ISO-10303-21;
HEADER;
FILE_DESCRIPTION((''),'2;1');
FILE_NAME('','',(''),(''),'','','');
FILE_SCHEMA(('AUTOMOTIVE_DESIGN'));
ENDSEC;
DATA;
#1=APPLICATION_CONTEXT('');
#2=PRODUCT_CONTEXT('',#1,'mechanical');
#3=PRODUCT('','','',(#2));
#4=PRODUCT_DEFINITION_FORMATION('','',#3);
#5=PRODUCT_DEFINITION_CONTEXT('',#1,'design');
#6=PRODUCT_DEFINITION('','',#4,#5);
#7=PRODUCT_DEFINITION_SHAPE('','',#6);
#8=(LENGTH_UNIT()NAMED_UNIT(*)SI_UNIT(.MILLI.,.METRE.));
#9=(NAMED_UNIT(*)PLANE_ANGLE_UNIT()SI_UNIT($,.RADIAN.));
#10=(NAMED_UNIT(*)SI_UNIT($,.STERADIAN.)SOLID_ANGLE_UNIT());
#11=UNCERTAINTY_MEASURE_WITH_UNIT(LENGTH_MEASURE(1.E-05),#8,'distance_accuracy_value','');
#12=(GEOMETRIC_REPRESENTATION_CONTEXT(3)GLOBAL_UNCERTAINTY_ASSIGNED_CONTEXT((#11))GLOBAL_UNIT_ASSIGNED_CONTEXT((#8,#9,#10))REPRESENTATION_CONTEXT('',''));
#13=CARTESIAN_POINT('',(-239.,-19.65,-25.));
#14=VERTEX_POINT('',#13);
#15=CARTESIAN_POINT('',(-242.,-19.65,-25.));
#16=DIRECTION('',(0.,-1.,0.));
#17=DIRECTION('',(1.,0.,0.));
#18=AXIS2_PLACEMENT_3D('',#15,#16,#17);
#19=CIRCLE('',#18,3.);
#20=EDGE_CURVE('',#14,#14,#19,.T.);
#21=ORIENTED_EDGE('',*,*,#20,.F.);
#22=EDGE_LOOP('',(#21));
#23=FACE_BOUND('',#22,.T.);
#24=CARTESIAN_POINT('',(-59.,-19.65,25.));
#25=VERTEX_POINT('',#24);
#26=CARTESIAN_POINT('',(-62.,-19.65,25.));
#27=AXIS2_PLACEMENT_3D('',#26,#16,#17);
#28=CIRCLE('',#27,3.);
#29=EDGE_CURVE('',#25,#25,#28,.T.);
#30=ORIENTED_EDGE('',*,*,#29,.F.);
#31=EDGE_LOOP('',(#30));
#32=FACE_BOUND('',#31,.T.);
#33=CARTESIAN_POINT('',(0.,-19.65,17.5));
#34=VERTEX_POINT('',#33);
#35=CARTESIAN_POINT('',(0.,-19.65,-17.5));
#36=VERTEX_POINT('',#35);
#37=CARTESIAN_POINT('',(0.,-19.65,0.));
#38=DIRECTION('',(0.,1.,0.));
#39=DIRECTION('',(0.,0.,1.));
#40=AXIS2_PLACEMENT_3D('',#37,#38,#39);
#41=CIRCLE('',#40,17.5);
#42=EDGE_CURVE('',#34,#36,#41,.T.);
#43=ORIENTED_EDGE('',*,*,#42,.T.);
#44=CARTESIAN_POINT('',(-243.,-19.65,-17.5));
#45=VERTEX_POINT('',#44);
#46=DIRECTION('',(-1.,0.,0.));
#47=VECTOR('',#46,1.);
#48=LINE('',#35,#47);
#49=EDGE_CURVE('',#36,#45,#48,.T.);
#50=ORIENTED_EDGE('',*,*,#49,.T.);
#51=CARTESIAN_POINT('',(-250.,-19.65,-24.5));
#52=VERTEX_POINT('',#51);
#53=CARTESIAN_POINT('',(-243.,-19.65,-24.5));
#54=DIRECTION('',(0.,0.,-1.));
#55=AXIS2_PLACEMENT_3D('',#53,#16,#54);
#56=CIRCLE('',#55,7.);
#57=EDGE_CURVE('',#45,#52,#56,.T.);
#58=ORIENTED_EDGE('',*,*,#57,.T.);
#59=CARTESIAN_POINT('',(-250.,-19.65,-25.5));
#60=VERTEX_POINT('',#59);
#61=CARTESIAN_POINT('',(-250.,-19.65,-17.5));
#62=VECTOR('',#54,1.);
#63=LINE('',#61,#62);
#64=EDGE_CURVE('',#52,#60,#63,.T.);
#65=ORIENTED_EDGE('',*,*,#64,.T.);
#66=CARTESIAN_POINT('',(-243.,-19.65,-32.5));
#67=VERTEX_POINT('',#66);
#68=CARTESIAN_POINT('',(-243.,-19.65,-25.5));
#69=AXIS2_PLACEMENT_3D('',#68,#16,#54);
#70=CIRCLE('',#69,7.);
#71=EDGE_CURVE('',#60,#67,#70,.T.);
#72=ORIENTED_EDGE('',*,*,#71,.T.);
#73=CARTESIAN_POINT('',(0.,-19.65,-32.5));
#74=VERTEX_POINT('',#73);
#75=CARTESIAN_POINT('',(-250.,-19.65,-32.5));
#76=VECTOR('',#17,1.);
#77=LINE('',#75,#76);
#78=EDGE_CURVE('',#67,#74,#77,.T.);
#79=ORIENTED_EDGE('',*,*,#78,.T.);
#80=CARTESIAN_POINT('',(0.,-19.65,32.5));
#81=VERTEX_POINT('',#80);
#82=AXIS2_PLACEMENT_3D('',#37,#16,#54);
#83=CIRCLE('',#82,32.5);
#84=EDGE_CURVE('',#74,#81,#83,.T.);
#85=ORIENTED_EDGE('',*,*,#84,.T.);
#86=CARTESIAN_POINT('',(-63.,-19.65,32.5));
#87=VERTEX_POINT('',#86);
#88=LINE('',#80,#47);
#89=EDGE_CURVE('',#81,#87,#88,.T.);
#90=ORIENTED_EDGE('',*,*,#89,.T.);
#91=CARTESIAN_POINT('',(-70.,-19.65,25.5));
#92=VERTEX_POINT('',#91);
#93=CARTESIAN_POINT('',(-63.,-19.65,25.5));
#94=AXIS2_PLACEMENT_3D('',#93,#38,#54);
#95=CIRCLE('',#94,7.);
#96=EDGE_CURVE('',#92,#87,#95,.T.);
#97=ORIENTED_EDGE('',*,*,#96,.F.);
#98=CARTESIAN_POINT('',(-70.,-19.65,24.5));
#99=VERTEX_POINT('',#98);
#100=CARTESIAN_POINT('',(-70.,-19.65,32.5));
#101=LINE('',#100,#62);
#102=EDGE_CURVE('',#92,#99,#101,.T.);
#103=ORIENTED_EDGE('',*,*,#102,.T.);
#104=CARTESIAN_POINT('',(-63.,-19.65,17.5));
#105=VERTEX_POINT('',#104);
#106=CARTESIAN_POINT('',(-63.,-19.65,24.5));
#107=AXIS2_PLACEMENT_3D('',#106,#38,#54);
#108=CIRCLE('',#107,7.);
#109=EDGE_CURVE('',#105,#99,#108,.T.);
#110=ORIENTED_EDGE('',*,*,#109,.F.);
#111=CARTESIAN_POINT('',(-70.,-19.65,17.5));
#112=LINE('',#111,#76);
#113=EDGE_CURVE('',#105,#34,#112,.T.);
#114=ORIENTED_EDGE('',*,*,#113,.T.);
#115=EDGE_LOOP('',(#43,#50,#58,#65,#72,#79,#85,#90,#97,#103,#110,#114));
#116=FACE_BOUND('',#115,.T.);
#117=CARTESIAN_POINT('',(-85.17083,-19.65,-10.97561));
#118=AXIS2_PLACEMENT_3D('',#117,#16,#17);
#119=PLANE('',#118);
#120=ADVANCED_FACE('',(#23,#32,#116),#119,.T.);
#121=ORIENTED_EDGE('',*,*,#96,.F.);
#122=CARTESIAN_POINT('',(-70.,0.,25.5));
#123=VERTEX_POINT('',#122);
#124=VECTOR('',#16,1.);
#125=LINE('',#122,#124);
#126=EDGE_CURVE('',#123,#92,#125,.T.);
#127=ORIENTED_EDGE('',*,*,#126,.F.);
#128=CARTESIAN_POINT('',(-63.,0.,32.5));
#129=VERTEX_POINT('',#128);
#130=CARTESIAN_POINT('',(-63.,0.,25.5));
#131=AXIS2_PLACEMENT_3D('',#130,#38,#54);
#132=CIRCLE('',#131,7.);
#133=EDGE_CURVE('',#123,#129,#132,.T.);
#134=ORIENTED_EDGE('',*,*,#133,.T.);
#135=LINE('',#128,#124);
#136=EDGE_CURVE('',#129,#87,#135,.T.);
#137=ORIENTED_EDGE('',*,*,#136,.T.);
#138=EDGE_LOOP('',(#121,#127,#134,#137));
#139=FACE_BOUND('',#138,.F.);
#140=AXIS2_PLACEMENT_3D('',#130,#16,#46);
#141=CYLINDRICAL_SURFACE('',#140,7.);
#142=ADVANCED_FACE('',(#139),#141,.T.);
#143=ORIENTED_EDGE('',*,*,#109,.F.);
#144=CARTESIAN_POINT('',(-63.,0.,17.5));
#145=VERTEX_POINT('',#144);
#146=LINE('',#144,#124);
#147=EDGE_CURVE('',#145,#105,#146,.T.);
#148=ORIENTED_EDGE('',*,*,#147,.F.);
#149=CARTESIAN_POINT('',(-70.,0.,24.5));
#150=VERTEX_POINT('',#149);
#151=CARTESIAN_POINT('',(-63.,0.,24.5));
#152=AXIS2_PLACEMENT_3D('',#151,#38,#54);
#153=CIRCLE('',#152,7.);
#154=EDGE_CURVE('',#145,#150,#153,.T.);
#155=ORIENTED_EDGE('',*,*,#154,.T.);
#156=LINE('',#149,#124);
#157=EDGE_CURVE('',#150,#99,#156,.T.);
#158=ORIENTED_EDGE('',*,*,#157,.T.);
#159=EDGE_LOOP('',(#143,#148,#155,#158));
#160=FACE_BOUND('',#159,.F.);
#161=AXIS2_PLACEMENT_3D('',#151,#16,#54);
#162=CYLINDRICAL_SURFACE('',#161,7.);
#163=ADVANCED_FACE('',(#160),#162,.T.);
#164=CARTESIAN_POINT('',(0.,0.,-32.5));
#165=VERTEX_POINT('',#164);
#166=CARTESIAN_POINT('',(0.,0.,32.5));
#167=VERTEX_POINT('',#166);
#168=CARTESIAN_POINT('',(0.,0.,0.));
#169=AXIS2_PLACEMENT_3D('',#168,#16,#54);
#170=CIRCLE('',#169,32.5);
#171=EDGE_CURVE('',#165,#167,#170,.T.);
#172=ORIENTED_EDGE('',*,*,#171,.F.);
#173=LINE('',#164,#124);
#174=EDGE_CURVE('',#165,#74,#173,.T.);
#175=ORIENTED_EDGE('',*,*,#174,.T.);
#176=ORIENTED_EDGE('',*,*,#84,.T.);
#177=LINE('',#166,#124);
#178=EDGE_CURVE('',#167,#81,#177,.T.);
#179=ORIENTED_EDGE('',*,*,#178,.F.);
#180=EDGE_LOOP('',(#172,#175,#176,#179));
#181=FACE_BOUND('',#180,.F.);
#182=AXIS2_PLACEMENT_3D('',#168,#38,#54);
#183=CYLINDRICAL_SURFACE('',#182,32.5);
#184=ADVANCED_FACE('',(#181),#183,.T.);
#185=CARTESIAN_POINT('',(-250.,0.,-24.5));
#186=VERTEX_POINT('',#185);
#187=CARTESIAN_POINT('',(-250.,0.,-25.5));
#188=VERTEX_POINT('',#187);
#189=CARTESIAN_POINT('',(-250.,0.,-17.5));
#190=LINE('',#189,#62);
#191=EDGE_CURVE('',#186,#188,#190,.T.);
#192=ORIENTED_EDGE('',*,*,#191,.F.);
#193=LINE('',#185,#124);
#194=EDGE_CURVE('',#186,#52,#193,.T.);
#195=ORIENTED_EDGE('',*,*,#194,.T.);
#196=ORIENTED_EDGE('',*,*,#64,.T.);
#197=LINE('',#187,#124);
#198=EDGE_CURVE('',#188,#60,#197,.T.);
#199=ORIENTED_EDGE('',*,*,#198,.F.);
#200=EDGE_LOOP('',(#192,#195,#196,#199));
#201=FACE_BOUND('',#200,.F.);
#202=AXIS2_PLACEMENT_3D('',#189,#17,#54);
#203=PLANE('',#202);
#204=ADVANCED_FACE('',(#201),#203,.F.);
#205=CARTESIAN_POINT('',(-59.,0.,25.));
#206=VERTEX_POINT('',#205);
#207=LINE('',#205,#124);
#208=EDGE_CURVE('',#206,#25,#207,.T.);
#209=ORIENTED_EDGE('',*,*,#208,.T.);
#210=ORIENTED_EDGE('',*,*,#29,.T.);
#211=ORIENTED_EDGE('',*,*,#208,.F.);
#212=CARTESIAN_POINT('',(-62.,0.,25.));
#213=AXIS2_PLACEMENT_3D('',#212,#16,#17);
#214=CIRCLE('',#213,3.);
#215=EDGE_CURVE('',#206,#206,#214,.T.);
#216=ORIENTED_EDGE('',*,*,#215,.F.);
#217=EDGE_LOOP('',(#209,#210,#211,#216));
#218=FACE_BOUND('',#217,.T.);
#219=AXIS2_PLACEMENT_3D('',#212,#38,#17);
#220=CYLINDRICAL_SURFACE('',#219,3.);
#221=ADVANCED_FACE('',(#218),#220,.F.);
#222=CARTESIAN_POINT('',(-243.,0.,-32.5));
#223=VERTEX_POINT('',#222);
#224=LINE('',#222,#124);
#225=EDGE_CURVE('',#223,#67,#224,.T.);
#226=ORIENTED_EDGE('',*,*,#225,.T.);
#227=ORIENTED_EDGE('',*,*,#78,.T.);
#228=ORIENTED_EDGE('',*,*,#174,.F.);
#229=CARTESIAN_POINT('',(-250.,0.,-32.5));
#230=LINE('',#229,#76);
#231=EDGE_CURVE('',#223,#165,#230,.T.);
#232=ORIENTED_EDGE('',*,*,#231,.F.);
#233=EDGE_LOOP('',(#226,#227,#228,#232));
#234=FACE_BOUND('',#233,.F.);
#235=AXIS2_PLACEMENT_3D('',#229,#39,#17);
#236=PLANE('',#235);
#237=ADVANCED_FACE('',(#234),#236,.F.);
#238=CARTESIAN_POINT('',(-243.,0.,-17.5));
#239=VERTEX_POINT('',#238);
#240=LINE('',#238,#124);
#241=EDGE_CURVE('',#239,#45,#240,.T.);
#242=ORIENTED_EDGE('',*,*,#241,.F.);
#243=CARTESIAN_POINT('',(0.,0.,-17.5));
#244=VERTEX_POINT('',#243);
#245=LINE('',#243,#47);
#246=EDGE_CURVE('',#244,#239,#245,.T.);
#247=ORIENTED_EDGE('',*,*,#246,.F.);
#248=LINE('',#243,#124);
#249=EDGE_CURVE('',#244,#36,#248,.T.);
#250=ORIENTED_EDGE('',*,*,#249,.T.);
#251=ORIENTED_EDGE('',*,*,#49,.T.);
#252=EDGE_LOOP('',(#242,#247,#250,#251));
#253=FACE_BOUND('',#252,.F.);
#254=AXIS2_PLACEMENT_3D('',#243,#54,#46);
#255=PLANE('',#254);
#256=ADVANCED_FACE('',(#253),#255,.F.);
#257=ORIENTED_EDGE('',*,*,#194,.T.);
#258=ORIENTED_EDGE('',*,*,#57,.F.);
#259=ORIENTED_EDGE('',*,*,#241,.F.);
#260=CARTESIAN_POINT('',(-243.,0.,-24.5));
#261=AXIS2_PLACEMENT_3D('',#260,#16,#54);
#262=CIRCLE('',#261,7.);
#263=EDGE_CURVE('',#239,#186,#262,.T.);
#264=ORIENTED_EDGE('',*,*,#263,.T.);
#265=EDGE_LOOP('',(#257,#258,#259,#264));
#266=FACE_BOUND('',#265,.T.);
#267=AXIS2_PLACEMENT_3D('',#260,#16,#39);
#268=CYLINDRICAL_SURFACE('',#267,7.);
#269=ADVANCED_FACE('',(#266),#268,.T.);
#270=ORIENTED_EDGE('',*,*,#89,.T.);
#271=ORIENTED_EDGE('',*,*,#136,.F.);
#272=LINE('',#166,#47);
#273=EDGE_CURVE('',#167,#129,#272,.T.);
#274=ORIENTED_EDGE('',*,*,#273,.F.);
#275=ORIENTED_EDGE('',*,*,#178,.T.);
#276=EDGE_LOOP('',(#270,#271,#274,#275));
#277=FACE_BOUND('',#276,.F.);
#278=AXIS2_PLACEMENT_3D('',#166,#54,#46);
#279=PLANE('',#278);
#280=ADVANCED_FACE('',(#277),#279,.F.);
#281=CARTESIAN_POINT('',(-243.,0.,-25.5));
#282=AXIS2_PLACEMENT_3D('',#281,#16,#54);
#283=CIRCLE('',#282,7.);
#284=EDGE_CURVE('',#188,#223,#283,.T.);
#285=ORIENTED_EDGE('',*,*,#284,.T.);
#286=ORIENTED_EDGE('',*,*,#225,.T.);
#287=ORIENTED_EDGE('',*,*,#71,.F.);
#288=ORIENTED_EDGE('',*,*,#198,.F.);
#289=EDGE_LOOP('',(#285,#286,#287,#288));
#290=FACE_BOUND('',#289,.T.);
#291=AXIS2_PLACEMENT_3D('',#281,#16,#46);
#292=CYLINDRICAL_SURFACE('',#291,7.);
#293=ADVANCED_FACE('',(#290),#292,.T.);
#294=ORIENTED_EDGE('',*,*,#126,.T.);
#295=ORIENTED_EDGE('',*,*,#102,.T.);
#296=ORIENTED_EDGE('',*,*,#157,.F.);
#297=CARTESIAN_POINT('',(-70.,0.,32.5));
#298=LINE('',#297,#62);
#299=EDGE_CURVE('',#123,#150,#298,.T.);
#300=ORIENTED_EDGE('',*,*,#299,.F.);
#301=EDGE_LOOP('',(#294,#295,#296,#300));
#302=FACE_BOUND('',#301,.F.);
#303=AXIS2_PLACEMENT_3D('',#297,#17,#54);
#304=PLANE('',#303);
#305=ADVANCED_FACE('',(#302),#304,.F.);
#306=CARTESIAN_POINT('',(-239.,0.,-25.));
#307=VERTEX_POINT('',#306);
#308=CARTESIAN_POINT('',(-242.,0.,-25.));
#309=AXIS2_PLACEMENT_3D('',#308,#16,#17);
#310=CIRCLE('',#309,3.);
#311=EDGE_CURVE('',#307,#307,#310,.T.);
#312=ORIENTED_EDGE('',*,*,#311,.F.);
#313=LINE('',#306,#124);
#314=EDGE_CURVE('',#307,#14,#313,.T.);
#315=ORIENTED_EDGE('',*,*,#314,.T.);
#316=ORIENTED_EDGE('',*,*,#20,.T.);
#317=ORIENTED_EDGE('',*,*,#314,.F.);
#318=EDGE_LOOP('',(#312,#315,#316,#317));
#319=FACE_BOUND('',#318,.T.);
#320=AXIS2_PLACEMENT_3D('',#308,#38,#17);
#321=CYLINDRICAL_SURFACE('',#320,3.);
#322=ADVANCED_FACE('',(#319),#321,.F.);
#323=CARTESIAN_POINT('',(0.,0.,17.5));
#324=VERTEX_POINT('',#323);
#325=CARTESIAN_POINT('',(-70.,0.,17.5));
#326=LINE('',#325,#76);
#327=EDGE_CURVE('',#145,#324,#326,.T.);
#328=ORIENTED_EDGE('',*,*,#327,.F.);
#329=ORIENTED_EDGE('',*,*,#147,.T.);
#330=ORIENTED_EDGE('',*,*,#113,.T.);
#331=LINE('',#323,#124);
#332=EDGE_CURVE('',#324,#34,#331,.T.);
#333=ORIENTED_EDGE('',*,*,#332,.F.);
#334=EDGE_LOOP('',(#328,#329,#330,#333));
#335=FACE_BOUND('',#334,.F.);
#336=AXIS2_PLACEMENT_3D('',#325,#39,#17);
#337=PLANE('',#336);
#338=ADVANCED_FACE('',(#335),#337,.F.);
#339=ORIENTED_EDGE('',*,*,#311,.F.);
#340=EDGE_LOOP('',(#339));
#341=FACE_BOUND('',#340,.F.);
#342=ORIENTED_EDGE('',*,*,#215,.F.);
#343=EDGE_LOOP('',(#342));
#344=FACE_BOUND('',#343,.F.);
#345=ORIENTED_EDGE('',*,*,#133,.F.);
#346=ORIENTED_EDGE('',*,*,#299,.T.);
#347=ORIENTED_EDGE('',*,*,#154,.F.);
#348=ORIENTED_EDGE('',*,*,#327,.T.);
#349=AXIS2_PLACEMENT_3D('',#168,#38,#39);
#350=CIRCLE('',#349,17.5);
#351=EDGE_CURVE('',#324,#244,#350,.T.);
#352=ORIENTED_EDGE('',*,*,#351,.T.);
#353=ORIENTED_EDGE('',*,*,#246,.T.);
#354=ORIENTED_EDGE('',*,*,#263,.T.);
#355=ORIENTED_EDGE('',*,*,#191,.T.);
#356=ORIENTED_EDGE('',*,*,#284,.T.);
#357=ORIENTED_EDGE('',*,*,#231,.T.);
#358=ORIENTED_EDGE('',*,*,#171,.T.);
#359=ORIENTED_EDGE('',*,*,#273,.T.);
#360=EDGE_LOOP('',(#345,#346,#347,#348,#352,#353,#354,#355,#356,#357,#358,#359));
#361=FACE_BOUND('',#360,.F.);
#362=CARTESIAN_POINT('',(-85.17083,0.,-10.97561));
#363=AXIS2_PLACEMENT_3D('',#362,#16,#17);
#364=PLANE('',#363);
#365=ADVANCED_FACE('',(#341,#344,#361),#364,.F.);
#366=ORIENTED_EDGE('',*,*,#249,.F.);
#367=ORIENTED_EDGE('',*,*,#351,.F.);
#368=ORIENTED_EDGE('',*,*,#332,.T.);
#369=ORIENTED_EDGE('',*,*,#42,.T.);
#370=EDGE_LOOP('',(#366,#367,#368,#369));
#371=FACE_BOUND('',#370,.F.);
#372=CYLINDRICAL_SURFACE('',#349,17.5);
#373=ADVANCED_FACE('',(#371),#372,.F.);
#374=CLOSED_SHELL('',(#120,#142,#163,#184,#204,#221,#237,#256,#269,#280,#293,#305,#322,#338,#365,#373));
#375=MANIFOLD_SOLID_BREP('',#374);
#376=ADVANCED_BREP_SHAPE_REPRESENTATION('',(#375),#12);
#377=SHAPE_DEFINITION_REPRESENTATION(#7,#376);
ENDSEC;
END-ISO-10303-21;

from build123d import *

# Parameters (mm, degrees)
F0_R     = 3
F1_DEPTH = 19.65
F2_R     = 7


with BuildPart() as f1:
    # F0 (on Front) → F1 (new body)
    with BuildSketch(Plane.XZ):
        with BuildLine():
            ThreePointArc((0, 17.5), (17.5, 0), (0, -17.5))
            Line((0, -17.5), (-250, -17.5))
            Line((-250, -17.5), (-250, -32.5))
            Line((-250, -32.5), (0, -32.5))
            ThreePointArc((0, -32.5), (32.5, 0), (0, 32.5))
            Line((0, 32.5), (-70, 32.5))
            Line((-70, 32.5), (-70, 17.5))
            Line((-70, 17.5), (0, 17.5))
        make_face()
        with Locations((-242, -25)):
            Circle(F0_R, mode=Mode.SUBTRACT)
        with Locations((-62, 25)):
            Circle(F0_R, mode=Mode.SUBTRACT)
    extrude(amount=F1_DEPTH)

    # F2
    f2_edges = [f1.edges().sort_by_distance(p)[0] for p in [
        (-250, -9.825, -17.5),
        (-250, -9.825, -32.5),
        (-70, -9.825, 17.5),
        (-70, -9.825, 32.5),
    ]]
    fillet(f2_edges, radius=F2_R)


solid = f1.part
